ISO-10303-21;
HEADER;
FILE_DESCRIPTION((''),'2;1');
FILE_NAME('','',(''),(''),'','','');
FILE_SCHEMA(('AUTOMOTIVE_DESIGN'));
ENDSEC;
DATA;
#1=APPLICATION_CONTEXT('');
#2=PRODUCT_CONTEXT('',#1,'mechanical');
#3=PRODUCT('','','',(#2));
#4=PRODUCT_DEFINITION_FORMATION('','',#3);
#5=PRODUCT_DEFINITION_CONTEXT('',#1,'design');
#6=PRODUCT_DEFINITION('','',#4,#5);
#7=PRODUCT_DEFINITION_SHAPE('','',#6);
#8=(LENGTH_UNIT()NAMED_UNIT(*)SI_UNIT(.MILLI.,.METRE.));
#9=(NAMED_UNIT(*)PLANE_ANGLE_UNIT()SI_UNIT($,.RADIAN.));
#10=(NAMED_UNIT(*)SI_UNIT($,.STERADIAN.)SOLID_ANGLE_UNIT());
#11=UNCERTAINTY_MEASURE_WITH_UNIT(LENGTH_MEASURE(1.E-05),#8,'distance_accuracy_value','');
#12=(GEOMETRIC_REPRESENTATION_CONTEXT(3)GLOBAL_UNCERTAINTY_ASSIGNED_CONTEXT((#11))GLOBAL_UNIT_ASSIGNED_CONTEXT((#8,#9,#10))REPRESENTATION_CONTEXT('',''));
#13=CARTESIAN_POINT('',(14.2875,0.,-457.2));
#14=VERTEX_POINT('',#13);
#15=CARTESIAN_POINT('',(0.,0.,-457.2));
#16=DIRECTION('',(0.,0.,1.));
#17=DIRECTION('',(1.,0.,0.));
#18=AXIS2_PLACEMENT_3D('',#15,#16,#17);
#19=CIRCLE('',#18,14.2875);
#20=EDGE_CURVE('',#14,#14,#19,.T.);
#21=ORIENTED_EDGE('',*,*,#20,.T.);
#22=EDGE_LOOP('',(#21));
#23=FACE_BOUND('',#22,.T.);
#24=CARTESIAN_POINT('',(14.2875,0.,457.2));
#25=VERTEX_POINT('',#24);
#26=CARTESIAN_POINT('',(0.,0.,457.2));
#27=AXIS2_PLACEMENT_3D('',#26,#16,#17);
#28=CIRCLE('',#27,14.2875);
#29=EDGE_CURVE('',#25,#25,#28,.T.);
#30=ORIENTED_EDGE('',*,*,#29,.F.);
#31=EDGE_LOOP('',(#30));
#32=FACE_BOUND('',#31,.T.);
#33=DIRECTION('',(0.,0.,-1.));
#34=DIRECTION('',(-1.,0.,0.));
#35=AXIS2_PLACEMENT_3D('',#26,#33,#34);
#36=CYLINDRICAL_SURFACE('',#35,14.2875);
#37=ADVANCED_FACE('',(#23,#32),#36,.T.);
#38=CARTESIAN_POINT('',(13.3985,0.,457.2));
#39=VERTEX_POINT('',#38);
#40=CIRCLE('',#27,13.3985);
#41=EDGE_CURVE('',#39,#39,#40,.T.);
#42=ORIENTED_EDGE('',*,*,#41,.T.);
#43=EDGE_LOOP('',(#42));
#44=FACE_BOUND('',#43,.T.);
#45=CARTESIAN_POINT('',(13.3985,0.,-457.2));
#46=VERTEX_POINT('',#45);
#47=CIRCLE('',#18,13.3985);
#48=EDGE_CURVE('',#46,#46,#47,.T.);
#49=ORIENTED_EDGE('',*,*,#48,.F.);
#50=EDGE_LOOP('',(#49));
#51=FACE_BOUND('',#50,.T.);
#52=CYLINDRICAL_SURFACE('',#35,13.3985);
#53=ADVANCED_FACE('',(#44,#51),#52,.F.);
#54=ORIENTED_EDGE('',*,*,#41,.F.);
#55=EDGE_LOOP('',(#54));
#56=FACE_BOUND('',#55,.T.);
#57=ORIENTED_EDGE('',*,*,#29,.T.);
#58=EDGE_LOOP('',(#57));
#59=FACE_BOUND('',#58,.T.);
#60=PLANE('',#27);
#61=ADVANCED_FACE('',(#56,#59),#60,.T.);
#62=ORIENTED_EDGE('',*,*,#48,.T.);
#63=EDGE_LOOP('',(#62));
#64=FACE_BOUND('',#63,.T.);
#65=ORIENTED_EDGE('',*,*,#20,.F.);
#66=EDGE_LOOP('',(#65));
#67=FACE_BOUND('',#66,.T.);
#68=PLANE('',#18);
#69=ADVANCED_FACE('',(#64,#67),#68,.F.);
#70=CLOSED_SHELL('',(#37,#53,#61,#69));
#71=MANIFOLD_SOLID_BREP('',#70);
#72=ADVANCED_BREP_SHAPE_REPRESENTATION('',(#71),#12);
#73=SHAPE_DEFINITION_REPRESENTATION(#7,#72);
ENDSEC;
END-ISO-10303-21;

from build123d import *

# Parameters (mm, degrees)
SKETCH2_R           = 14.2875
SKETCH2_R_2         = 13.3985
BOSS_EXTRUDE1_DEPTH = 457.2


with BuildPart() as part:
    # Sketch2 → Boss-Extrude1 (new, symmetric)
    with BuildSketch(Plane.XY):
        Circle(SKETCH2_R)
        Circle(SKETCH2_R_2, mode=Mode.SUBTRACT)
    extrude(amount=BOSS_EXTRUDE1_DEPTH, both=True)


solid = part.part
